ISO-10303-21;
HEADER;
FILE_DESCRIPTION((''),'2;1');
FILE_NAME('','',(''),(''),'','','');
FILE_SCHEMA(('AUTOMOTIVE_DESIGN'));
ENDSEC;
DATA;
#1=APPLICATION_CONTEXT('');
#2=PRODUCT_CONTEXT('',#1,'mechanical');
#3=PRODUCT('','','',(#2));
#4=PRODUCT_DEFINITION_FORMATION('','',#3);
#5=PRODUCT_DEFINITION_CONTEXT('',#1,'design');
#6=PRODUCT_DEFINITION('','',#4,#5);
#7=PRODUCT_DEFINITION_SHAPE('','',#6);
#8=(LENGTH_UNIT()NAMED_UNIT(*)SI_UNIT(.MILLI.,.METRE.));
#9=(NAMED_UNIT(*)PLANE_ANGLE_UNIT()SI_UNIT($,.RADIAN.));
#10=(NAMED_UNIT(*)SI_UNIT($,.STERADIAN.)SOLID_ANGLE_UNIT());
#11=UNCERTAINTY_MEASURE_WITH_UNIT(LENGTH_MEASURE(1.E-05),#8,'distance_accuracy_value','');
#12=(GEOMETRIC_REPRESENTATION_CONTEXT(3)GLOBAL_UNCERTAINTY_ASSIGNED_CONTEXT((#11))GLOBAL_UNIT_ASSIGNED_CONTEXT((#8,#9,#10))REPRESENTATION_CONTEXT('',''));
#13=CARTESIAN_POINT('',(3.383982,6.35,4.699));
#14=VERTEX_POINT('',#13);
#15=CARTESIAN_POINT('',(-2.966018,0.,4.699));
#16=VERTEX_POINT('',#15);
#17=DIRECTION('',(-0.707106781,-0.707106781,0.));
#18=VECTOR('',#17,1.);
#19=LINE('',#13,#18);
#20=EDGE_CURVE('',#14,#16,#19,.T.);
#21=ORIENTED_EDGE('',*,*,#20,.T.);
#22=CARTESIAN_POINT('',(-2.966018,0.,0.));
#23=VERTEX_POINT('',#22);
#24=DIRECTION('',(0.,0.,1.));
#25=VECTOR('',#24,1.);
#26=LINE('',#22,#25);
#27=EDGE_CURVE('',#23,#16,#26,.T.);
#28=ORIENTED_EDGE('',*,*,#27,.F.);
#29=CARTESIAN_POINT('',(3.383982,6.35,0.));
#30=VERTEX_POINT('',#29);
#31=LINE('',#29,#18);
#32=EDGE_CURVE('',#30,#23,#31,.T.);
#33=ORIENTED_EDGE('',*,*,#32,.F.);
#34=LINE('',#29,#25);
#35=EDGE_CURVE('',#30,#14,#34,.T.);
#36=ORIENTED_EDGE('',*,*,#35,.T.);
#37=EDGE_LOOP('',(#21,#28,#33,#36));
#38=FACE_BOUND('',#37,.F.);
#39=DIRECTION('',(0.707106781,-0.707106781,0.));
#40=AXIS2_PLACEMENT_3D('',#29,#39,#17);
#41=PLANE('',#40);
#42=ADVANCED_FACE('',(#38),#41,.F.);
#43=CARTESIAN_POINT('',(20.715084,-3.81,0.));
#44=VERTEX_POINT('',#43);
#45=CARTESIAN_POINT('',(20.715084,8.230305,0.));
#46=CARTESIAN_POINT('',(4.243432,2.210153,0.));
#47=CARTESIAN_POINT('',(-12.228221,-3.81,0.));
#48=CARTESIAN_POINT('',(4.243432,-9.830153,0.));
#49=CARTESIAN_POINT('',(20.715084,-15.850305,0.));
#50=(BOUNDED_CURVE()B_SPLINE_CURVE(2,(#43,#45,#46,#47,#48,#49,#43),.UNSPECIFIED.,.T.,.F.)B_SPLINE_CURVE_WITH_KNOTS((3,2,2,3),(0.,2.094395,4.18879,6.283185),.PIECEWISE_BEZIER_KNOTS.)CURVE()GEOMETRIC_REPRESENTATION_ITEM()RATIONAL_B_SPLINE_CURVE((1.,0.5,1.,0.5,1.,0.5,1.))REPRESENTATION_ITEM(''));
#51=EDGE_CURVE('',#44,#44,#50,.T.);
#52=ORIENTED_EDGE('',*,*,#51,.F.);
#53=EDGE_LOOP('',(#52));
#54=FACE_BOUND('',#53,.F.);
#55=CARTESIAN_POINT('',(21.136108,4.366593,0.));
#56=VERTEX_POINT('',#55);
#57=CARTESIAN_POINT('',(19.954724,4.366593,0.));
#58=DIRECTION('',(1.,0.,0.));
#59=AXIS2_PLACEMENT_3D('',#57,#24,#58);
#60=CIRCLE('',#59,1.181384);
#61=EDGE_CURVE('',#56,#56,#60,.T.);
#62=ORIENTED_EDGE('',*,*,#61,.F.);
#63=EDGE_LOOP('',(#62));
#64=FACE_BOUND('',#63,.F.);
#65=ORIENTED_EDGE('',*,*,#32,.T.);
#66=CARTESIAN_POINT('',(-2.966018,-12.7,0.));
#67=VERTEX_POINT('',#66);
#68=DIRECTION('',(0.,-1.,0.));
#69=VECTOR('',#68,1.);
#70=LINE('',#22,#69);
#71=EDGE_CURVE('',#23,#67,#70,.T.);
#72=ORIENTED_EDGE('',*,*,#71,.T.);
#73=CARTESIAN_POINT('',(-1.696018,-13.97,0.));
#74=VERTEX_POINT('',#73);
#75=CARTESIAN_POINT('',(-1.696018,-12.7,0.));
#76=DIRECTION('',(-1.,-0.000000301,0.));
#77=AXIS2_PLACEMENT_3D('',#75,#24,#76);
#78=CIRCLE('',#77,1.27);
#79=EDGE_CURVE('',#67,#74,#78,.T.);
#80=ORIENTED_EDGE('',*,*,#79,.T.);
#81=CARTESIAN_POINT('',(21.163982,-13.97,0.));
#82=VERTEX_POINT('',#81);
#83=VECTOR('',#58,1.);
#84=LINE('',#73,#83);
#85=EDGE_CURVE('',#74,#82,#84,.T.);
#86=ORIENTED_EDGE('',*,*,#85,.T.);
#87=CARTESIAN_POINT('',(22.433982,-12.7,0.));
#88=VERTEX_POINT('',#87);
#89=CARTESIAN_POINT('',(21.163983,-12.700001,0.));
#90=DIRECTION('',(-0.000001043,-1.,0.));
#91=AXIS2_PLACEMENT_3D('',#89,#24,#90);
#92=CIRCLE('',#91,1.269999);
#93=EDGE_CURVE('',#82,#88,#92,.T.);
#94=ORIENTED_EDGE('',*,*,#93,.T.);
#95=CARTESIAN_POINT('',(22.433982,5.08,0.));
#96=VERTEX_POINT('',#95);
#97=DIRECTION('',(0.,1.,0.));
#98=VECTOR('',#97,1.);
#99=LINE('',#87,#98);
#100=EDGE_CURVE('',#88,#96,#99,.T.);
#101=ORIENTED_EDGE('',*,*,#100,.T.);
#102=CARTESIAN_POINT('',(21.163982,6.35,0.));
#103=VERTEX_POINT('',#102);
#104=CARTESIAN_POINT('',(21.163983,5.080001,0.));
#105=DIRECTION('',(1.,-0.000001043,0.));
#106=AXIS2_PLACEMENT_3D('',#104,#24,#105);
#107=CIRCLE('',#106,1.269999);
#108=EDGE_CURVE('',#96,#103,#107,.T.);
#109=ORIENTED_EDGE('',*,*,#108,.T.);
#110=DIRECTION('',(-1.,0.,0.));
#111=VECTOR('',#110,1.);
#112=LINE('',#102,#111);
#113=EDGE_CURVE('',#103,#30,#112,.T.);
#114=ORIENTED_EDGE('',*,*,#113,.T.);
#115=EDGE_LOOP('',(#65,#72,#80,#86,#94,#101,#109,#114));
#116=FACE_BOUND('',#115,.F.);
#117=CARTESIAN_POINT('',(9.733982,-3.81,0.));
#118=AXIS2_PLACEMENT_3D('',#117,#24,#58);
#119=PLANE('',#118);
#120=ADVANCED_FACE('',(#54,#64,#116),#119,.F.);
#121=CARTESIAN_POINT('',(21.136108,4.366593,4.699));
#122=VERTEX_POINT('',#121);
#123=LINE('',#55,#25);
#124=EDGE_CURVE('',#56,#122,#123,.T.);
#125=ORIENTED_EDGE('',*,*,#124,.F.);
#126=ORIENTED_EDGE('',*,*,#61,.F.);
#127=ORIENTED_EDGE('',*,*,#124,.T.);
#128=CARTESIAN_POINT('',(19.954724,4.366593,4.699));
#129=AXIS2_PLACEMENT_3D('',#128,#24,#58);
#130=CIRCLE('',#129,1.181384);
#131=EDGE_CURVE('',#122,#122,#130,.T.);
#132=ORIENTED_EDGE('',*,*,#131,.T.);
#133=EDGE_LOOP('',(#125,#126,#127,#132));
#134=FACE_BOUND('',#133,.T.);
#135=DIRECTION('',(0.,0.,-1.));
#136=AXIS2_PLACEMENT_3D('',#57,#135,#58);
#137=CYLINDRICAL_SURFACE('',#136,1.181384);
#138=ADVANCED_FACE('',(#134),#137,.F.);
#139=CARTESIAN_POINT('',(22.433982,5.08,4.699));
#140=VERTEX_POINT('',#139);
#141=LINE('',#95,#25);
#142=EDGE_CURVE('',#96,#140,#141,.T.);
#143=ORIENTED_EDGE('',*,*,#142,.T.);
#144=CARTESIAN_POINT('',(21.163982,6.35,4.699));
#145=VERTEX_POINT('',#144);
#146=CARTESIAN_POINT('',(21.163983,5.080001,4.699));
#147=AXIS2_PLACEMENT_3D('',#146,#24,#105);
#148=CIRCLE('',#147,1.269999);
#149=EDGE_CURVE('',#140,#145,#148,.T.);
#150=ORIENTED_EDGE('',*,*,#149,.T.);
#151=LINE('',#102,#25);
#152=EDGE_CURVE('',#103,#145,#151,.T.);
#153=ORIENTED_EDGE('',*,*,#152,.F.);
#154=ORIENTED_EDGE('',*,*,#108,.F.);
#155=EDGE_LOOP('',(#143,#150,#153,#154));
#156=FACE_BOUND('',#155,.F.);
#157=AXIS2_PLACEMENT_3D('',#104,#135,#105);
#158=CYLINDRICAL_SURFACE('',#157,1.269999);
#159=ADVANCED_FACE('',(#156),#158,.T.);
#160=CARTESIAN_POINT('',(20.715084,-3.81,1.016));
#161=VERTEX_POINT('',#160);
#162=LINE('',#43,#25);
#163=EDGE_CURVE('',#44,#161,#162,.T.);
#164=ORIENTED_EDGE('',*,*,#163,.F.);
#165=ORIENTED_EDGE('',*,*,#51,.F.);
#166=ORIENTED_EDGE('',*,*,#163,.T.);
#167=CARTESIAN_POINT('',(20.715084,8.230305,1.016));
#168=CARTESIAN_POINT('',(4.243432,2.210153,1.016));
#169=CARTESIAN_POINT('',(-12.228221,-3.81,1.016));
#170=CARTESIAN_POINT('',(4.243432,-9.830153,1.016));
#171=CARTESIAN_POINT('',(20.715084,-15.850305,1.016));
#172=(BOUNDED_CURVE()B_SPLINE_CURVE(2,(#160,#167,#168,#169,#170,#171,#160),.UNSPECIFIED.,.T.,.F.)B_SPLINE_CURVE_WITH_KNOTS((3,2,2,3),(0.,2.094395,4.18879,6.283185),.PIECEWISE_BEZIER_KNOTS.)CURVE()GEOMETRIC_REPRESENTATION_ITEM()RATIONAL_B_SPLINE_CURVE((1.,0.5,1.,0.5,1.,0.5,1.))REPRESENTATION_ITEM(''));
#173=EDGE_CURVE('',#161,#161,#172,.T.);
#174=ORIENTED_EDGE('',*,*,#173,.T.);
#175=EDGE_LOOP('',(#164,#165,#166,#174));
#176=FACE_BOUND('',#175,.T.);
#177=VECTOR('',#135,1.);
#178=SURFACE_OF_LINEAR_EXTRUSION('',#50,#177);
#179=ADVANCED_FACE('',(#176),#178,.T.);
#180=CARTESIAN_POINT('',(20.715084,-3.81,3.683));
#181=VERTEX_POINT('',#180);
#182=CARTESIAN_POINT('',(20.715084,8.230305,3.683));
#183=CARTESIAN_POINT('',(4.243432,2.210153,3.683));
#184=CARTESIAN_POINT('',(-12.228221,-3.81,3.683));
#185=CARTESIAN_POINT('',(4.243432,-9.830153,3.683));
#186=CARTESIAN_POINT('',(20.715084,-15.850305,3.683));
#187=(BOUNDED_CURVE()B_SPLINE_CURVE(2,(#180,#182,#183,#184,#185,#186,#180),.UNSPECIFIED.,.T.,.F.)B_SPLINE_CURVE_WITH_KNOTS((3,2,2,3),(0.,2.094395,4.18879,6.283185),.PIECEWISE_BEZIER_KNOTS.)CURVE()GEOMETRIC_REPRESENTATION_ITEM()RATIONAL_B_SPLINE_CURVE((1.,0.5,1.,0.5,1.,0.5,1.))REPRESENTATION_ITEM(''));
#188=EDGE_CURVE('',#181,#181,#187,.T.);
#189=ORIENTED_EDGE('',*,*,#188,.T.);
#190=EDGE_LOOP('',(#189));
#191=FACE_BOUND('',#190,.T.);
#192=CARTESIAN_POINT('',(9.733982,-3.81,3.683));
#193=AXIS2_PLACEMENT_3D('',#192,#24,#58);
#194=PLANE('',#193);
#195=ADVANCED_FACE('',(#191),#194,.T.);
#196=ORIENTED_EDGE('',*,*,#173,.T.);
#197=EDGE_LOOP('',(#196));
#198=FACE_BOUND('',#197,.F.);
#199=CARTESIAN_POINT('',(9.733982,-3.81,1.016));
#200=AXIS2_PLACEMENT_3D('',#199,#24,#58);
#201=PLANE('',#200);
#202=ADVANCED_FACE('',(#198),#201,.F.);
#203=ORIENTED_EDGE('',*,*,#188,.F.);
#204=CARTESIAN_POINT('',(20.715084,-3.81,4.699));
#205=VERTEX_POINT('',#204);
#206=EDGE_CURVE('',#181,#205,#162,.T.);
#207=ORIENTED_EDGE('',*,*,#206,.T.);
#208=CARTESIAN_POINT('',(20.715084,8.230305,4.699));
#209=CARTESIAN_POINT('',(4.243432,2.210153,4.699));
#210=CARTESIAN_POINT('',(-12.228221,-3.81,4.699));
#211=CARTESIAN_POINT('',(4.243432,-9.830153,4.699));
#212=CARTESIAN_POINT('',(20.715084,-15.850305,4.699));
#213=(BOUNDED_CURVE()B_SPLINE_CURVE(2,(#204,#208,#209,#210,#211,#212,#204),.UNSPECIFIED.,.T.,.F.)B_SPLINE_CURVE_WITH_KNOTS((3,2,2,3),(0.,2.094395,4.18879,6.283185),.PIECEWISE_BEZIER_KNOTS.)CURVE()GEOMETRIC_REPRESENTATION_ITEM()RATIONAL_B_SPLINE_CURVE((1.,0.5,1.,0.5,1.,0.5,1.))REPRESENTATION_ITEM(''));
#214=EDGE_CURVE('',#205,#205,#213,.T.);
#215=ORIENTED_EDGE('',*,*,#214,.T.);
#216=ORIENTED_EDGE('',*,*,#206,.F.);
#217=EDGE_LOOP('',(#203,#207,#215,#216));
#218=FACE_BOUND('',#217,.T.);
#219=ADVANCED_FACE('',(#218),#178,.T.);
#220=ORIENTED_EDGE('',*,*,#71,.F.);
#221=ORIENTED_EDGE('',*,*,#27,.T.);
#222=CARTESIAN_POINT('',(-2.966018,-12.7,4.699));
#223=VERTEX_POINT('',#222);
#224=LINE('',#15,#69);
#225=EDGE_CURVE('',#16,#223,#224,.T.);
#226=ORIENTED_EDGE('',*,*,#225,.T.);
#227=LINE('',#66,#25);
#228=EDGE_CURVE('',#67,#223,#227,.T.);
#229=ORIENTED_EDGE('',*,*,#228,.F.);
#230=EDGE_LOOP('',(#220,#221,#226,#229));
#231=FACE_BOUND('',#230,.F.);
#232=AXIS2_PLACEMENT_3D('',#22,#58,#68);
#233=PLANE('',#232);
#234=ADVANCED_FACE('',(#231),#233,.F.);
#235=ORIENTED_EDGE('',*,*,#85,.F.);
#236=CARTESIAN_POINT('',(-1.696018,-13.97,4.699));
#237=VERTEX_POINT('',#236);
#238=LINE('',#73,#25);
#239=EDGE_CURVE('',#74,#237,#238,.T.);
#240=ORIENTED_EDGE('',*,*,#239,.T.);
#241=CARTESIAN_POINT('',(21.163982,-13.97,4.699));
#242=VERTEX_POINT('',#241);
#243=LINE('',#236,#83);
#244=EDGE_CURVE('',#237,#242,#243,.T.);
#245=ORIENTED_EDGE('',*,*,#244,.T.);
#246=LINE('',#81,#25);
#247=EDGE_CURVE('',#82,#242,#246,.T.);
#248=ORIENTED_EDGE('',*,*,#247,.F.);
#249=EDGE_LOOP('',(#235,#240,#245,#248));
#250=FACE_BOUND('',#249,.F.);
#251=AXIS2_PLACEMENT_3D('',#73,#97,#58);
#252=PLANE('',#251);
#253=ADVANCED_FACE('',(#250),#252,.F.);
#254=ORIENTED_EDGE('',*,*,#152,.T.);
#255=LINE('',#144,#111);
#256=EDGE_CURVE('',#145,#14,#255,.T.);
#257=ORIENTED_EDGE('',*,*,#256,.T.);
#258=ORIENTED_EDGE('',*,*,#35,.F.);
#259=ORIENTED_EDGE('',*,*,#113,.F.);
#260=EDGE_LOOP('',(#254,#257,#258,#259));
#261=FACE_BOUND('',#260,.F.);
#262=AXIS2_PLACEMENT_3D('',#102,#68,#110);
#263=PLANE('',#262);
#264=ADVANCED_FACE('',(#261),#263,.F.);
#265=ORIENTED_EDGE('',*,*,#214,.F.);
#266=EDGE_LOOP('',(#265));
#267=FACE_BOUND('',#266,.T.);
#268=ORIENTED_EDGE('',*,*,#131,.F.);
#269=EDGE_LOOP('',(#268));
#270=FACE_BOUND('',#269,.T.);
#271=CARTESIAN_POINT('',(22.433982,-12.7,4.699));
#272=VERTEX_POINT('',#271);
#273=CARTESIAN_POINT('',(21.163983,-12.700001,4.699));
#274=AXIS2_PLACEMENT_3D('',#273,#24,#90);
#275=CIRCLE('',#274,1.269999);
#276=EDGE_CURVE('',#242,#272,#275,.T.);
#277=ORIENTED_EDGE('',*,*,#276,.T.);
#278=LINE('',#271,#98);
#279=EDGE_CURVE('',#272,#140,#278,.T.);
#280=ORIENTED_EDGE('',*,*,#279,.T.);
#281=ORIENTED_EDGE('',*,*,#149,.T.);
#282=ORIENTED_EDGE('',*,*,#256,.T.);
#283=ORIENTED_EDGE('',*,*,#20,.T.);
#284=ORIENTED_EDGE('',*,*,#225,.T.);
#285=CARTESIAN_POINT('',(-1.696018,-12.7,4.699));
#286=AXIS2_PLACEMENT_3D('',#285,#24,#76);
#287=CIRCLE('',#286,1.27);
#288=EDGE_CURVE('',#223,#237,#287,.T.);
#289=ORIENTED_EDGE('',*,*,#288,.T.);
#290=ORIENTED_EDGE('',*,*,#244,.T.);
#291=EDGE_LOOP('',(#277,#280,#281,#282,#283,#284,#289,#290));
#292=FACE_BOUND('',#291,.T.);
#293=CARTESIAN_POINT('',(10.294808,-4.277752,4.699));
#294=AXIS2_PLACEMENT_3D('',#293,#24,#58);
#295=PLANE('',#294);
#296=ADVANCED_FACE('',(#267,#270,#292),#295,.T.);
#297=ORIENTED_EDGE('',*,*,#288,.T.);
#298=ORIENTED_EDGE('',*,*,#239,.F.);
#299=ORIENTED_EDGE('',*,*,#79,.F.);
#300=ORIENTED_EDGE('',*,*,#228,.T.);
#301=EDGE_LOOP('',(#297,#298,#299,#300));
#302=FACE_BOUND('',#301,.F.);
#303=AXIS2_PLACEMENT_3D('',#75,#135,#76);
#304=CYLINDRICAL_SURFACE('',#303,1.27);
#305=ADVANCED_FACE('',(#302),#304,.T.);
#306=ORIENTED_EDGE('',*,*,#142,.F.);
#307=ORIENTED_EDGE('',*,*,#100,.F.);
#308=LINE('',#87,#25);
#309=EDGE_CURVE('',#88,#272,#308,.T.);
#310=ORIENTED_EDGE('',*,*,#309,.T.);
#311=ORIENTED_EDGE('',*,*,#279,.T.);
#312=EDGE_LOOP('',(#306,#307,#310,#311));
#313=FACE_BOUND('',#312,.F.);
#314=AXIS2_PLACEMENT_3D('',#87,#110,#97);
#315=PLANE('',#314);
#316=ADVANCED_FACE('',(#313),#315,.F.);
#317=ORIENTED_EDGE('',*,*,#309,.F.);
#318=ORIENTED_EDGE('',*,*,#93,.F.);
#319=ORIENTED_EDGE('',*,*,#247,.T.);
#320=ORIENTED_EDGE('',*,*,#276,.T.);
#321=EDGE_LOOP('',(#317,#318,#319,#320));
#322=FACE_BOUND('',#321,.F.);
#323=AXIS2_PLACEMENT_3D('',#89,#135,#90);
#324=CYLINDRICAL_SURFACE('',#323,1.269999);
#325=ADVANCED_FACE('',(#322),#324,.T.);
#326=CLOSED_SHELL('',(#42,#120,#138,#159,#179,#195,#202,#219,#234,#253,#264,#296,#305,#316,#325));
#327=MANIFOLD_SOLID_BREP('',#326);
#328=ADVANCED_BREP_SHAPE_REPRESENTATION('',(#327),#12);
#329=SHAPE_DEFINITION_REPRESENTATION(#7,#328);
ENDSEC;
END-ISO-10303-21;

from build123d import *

# Parameters (mm, degrees)
F0_R     = 1.181384
F1_DEPTH = 4.699
F2_DEPTH = 3.683
F4_DEPTH = 1.016


with BuildPart() as f1:
    # F0 (on Top) → F1 (new body)
    with BuildSketch(Plane.XY):
        with BuildLine():
            ThreePointArc((-2.966018, -12.7), (-2.594043, -13.598026), (-1.696018, -13.97))
            Line((-1.696018, -13.97), (21.163982, -13.97))
            ThreePointArc((21.163982, -13.97), (22.062008, -13.598026), (22.433982, -12.7))
            Line((22.433982, -12.7), (22.433982, 5.08))
            ThreePointArc((22.433982, 5.08), (22.062008, 5.978026), (21.163982, 6.35))
            Line((21.163982, 6.35), (3.383982, 6.35))
            Line((3.383982, 6.35), (-2.966018, 0))
            Line((-2.966018, 0), (-2.966018, -12.7))
        make_face()
        with BuildLine():
            add(Edge.make_bspline(
                [(20.715084, -3.81), (20.715084, 8.230305), (4.243432, 2.210153), (-12.228221, -3.81), (4.243432, -9.830153), (20.715084, -15.850305), (20.715084, -3.81)],
                knots=[0, 0, 0, 2.094395, 2.094395, 4.18879, 4.18879, 6.283185, 6.283185, 6.283185], degree=2, weights=[1, 0.5, 1, 0.5, 1, 0.5, 1]))
        make_face(mode=Mode.SUBTRACT)
        with Locations((19.954724, 4.366593)):
            Circle(F0_R, mode=Mode.SUBTRACT)
    extrude(amount=F1_DEPTH)

    # F0 (on Top) → F2 (join)
    with BuildSketch(Plane.XY):
        with BuildLine():
            add(Edge.make_bspline(
                [(20.715084, -3.81), (20.715084, 8.230305), (4.243432, 2.210153), (-12.228221, -3.81), (4.243432, -9.830153), (20.715084, -15.850305), (20.715084, -3.81)],
                knots=[0, 0, 0, 2.094395, 2.094395, 4.18879, 4.18879, 6.283185, 6.283185, 6.283185], degree=2, weights=[1, 0.5, 1, 0.5, 1, 0.5, 1]))
        make_face()
    extrude(amount=F2_DEPTH)

    # F0 (on Top) → F4 (cut)
    with BuildSketch(Plane.XY):
        with BuildLine():
            add(Edge.make_bspline(
                [(20.715084, -3.81), (20.715084, 8.230305), (4.243432, 2.210153), (-12.228221, -3.81), (4.243432, -9.830153), (20.715084, -15.850305), (20.715084, -3.81)],
                knots=[0, 0, 0, 2.094395, 2.094395, 4.18879, 4.18879, 6.283185, 6.283185, 6.283185], degree=2, weights=[1, 0.5, 1, 0.5, 1, 0.5, 1]))
        make_face()
    extrude(amount=F4_DEPTH, mode=Mode.SUBTRACT)


solid = f1.part
